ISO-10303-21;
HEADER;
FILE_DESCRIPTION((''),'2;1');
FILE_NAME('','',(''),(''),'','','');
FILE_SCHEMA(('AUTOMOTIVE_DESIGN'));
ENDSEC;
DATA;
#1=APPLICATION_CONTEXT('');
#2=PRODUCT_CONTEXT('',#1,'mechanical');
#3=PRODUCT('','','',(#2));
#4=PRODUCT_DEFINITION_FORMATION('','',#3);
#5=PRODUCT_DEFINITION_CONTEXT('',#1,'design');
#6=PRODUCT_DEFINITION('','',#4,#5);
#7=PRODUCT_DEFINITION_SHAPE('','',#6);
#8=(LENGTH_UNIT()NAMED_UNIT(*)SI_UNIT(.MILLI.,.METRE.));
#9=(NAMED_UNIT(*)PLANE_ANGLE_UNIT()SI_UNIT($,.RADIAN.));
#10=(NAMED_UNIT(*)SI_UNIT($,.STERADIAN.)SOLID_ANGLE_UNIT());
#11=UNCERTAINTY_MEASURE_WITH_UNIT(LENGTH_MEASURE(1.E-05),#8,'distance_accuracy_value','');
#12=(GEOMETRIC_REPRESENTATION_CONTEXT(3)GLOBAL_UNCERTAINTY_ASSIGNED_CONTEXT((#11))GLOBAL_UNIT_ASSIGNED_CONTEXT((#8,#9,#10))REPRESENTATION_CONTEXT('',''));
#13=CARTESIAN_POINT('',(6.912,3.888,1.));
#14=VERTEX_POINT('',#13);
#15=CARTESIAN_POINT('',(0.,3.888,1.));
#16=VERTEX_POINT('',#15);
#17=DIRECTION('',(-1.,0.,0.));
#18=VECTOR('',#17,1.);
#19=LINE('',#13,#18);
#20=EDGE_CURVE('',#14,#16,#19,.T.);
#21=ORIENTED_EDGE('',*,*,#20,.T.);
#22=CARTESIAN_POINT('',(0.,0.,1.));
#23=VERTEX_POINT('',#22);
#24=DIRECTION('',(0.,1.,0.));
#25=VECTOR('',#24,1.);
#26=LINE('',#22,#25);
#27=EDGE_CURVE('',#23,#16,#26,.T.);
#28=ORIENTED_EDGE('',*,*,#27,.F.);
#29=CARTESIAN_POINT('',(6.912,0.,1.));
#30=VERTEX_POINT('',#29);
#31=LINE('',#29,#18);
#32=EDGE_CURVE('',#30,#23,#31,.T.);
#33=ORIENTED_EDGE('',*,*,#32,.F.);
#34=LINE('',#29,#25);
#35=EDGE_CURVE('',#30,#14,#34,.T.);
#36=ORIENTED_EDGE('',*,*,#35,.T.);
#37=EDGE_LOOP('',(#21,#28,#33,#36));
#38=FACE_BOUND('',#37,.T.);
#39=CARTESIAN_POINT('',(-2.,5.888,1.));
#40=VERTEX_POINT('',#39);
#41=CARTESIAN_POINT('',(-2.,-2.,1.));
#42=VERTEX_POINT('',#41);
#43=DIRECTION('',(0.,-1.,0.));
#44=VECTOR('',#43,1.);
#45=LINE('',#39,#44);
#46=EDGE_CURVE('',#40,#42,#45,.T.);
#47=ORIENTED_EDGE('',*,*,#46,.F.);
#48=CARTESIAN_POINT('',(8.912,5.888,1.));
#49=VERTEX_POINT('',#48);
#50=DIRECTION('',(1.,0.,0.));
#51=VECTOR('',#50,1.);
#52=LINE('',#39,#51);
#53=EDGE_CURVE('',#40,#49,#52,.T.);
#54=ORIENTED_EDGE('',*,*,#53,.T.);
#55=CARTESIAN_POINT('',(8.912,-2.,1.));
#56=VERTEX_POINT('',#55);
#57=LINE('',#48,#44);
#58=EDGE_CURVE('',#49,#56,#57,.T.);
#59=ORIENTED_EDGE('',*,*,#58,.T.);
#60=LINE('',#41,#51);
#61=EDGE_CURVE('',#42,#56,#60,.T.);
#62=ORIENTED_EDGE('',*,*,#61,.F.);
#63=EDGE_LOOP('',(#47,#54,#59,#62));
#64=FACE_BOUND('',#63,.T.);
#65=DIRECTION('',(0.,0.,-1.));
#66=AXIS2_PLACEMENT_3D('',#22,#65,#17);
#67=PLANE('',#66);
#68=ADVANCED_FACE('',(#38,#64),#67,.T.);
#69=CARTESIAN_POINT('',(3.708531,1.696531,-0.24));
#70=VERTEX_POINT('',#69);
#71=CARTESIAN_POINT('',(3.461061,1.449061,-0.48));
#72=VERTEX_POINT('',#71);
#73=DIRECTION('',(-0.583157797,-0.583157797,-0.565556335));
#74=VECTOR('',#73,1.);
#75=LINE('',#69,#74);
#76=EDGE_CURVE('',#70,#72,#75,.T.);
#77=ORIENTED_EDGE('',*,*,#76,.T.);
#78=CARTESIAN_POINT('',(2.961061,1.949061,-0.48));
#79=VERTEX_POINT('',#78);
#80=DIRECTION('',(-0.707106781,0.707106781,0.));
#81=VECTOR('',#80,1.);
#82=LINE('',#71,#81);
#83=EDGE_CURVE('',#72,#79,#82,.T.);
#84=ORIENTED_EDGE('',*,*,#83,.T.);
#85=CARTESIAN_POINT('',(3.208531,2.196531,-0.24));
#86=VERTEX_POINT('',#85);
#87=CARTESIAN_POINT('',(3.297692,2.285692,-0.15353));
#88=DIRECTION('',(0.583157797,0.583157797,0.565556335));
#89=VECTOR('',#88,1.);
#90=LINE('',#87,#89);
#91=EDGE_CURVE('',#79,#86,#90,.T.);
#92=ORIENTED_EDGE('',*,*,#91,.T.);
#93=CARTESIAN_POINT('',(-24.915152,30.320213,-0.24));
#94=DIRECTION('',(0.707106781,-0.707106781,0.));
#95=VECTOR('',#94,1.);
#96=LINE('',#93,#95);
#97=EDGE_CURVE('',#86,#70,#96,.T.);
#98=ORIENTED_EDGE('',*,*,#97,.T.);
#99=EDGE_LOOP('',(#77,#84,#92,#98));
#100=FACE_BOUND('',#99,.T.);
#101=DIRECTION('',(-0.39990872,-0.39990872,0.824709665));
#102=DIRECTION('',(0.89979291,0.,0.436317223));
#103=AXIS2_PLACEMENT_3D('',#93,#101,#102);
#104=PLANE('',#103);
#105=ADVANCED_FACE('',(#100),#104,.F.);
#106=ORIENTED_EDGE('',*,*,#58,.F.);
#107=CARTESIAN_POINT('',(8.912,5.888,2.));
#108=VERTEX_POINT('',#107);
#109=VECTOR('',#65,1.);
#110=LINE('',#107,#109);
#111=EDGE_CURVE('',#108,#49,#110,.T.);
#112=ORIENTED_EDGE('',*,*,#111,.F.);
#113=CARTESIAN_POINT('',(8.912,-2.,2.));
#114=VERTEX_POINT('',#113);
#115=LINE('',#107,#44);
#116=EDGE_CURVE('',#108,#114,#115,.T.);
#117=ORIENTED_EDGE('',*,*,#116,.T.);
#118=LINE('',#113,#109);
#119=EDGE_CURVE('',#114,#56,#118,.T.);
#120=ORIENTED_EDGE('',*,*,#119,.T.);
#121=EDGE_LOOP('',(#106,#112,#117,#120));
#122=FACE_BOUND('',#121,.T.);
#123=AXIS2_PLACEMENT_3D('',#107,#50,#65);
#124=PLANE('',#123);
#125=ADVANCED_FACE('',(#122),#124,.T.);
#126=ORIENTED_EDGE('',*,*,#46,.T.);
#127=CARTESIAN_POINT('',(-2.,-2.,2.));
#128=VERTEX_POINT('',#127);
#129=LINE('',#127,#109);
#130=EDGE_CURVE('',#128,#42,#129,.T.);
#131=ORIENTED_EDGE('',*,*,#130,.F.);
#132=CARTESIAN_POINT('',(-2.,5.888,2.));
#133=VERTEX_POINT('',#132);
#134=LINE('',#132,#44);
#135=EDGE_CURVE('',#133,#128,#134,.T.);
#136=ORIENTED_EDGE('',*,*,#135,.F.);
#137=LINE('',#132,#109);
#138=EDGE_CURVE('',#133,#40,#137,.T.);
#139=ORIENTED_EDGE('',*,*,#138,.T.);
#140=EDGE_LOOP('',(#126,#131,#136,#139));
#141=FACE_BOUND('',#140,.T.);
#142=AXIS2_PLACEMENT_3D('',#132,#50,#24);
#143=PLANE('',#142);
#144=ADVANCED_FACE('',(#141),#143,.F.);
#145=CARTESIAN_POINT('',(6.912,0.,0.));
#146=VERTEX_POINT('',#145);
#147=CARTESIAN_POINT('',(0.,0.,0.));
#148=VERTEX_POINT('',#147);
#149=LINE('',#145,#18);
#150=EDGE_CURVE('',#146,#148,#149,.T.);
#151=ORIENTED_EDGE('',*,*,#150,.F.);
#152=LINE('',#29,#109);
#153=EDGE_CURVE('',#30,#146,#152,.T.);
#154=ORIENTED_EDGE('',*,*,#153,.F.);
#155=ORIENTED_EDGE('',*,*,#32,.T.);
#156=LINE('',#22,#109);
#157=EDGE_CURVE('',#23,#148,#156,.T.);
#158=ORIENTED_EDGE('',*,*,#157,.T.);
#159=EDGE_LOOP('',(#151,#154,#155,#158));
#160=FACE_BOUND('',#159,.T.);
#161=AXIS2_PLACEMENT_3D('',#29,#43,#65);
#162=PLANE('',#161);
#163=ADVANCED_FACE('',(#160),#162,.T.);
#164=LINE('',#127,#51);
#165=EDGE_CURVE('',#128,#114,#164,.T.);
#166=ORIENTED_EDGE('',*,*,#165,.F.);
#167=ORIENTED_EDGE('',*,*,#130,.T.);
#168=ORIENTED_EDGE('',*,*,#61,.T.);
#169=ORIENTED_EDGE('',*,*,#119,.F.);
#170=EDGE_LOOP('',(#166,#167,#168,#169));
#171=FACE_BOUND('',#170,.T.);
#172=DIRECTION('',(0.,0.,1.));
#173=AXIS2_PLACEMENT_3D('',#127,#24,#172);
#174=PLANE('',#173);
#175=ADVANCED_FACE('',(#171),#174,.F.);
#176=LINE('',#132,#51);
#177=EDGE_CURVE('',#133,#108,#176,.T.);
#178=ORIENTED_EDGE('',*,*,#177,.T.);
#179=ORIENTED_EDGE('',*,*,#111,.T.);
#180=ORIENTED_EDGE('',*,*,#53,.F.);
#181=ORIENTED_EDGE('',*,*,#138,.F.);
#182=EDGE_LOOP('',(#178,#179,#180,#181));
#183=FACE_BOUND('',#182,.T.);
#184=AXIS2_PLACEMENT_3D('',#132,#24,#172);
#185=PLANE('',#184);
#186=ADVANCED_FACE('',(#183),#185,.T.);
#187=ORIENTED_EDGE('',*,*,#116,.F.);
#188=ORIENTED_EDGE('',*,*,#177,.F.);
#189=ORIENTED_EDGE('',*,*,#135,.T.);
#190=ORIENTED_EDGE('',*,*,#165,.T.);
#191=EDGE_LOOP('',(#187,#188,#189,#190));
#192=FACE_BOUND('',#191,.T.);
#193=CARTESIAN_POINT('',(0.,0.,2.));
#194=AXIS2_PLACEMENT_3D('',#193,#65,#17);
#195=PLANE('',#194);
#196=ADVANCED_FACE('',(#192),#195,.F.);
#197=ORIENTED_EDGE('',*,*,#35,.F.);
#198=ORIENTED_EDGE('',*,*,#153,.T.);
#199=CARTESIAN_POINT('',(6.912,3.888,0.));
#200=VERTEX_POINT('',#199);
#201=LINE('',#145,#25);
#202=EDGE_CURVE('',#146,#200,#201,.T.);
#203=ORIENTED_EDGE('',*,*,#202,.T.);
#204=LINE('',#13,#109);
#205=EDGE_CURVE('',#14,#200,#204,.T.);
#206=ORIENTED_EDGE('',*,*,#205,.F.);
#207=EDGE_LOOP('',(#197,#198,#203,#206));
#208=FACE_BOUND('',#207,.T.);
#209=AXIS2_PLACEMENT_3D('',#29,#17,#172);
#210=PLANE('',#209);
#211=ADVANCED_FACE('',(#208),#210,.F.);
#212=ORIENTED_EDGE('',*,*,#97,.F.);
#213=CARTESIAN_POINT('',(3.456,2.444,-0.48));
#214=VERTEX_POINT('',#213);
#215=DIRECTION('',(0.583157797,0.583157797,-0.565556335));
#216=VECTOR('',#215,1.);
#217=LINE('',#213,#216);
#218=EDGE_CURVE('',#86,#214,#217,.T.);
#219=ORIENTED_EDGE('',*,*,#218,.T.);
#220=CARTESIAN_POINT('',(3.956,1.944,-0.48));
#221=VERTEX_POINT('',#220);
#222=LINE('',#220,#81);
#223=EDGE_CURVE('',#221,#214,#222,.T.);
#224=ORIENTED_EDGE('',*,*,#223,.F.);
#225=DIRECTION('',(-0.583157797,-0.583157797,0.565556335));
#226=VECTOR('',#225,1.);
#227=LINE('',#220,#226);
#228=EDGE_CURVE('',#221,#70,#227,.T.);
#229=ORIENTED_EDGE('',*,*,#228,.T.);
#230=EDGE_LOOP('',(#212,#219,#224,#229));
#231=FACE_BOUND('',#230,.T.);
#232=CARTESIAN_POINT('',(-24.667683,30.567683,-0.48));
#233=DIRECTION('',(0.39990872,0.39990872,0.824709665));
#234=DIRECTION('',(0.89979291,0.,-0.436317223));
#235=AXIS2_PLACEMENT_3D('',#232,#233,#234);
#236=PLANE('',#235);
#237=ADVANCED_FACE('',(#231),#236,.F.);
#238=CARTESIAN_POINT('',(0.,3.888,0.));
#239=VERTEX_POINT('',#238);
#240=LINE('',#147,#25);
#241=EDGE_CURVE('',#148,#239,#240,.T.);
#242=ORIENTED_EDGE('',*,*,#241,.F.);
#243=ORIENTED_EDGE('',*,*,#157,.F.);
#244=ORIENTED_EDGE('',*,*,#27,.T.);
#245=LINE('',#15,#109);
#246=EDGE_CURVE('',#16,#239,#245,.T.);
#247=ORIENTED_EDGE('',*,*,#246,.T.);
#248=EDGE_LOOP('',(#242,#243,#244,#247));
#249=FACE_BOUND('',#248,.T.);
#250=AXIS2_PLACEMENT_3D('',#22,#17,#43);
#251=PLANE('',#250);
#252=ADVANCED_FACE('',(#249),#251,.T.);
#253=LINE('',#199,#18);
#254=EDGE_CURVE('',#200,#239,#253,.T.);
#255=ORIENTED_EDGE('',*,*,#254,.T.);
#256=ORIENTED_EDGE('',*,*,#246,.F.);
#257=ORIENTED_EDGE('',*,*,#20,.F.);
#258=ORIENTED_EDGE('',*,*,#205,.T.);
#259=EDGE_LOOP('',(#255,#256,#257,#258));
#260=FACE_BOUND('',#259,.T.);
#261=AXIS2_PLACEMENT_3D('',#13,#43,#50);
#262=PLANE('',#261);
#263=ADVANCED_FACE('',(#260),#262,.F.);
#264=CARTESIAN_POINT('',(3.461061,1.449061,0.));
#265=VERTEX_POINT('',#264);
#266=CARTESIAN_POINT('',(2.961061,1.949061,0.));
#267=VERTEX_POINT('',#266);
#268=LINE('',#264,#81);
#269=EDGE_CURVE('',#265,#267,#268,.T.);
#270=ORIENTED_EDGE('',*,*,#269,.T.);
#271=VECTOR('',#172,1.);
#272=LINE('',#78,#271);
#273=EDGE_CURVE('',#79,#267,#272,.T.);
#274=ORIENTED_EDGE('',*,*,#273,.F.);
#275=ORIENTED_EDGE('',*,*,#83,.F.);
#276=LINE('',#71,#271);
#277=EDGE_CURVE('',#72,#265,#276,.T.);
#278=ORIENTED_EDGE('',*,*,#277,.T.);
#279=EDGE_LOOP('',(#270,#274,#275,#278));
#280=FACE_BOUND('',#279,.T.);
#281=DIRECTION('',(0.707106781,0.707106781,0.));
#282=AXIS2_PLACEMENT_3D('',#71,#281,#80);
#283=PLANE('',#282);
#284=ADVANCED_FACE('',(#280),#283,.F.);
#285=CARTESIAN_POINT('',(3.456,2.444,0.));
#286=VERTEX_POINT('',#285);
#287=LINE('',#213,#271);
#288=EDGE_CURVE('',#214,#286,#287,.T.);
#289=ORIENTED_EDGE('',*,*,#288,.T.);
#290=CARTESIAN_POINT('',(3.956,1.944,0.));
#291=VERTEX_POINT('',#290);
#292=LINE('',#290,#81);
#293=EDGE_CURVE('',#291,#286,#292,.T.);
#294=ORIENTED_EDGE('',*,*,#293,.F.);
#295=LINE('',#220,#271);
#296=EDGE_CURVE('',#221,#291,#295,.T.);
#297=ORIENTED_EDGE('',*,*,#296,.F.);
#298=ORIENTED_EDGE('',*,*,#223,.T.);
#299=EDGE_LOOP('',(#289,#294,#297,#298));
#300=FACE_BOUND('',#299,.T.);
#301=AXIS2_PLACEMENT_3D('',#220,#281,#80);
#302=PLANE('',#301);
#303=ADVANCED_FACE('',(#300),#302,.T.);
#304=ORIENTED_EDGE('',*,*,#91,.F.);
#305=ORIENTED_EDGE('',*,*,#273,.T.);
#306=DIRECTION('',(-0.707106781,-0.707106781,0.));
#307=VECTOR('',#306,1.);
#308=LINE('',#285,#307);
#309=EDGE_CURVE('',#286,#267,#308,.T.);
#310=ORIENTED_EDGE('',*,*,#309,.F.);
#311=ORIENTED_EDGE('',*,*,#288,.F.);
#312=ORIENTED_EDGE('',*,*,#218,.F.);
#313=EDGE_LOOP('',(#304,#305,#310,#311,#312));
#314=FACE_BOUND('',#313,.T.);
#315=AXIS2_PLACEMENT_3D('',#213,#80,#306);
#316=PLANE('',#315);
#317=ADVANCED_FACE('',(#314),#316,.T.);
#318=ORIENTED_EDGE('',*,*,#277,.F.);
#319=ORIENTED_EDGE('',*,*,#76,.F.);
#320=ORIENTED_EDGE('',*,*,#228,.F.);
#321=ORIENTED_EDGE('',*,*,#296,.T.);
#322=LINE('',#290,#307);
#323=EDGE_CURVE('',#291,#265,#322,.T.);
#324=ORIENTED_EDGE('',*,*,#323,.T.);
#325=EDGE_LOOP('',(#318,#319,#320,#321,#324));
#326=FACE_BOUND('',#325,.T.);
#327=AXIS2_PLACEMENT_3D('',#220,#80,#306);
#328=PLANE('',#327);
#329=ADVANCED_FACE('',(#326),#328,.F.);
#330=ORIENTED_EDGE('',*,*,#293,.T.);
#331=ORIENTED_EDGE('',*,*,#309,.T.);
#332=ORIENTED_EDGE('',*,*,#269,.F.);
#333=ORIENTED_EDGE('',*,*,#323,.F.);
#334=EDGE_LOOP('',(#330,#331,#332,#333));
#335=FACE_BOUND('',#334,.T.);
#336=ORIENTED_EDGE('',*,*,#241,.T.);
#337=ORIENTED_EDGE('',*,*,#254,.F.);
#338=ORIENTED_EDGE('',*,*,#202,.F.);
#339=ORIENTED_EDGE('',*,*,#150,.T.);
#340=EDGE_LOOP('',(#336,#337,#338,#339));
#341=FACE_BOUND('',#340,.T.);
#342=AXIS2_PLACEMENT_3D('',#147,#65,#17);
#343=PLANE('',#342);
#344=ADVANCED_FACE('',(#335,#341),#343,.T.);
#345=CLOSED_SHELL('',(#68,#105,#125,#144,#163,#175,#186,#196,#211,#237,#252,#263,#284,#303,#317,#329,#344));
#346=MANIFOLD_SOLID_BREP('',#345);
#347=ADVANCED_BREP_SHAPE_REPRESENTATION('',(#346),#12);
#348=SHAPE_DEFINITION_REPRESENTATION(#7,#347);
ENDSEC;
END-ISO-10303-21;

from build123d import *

# Parameters (mm, degrees)
SKIZZE1_W                       = 6.912
SKIZZE1_H                       = 3.888
AUFSATZ_LINEAR_AUSTRAGEN1_DEPTH = 1
SKIZZE2_W                       = 10.912
SKIZZE2_H                       = 7.888
AUFSATZ_LINEAR_AUSTRAGEN2_DEPTH = 1
AUFSATZ_LINEAR_AUSTRAGEN3_DEPTH = 0.48
SCHNITT_LINEAR_AUSTRAGEN1_DEPTH = 40.48


with BuildPart() as part:
    # Skizze1 → Aufsatz-Linear austragen1 (new body)
    with BuildSketch(Plane.XY):
        with Locations((3.456, 1.944)):
            Rectangle(SKIZZE1_W, SKIZZE1_H)
    extrude(amount=AUFSATZ_LINEAR_AUSTRAGEN1_DEPTH)

    # Skizze2 → Aufsatz-Linear austragen2 (add)
    with BuildSketch(Plane.XY.offset(1)):
        with Locations((3.456, 1.944)):
            Rectangle(SKIZZE2_W, SKIZZE2_H)
    extrude(amount=AUFSATZ_LINEAR_AUSTRAGEN2_DEPTH)

    # Skizze3 → Aufsatz-Linear austragen3 (add)
    with BuildSketch(Plane(origin=(0, 0, 0), x_dir=(-1, 0, 0), z_dir=(0, 0, -1))):
        Polygon((-3.956, 1.944), (-3.456, 2.444), (-2.961061255, 1.949061255), (-3.461061255, 1.449061255), align=None)
    extrude(amount=AUFSATZ_LINEAR_AUSTRAGEN3_DEPTH)

    # Skizze6 → Schnitt-Linear austragen1 (cut)
    with BuildSketch(Plane(origin=(1.006, -1.006, 0), x_dir=(0, 0, -1), z_dir=(0.7071067811865474, -0.7071067811865477, 0))):
        Polygon((0.48, 4.171930009), (0.24, 3.821955466), (0.48, 3.471980924), align=None)
    extrude(amount=-SCHNITT_LINEAR_AUSTRAGEN1_DEPTH, mode=Mode.SUBTRACT)


solid = part.part
